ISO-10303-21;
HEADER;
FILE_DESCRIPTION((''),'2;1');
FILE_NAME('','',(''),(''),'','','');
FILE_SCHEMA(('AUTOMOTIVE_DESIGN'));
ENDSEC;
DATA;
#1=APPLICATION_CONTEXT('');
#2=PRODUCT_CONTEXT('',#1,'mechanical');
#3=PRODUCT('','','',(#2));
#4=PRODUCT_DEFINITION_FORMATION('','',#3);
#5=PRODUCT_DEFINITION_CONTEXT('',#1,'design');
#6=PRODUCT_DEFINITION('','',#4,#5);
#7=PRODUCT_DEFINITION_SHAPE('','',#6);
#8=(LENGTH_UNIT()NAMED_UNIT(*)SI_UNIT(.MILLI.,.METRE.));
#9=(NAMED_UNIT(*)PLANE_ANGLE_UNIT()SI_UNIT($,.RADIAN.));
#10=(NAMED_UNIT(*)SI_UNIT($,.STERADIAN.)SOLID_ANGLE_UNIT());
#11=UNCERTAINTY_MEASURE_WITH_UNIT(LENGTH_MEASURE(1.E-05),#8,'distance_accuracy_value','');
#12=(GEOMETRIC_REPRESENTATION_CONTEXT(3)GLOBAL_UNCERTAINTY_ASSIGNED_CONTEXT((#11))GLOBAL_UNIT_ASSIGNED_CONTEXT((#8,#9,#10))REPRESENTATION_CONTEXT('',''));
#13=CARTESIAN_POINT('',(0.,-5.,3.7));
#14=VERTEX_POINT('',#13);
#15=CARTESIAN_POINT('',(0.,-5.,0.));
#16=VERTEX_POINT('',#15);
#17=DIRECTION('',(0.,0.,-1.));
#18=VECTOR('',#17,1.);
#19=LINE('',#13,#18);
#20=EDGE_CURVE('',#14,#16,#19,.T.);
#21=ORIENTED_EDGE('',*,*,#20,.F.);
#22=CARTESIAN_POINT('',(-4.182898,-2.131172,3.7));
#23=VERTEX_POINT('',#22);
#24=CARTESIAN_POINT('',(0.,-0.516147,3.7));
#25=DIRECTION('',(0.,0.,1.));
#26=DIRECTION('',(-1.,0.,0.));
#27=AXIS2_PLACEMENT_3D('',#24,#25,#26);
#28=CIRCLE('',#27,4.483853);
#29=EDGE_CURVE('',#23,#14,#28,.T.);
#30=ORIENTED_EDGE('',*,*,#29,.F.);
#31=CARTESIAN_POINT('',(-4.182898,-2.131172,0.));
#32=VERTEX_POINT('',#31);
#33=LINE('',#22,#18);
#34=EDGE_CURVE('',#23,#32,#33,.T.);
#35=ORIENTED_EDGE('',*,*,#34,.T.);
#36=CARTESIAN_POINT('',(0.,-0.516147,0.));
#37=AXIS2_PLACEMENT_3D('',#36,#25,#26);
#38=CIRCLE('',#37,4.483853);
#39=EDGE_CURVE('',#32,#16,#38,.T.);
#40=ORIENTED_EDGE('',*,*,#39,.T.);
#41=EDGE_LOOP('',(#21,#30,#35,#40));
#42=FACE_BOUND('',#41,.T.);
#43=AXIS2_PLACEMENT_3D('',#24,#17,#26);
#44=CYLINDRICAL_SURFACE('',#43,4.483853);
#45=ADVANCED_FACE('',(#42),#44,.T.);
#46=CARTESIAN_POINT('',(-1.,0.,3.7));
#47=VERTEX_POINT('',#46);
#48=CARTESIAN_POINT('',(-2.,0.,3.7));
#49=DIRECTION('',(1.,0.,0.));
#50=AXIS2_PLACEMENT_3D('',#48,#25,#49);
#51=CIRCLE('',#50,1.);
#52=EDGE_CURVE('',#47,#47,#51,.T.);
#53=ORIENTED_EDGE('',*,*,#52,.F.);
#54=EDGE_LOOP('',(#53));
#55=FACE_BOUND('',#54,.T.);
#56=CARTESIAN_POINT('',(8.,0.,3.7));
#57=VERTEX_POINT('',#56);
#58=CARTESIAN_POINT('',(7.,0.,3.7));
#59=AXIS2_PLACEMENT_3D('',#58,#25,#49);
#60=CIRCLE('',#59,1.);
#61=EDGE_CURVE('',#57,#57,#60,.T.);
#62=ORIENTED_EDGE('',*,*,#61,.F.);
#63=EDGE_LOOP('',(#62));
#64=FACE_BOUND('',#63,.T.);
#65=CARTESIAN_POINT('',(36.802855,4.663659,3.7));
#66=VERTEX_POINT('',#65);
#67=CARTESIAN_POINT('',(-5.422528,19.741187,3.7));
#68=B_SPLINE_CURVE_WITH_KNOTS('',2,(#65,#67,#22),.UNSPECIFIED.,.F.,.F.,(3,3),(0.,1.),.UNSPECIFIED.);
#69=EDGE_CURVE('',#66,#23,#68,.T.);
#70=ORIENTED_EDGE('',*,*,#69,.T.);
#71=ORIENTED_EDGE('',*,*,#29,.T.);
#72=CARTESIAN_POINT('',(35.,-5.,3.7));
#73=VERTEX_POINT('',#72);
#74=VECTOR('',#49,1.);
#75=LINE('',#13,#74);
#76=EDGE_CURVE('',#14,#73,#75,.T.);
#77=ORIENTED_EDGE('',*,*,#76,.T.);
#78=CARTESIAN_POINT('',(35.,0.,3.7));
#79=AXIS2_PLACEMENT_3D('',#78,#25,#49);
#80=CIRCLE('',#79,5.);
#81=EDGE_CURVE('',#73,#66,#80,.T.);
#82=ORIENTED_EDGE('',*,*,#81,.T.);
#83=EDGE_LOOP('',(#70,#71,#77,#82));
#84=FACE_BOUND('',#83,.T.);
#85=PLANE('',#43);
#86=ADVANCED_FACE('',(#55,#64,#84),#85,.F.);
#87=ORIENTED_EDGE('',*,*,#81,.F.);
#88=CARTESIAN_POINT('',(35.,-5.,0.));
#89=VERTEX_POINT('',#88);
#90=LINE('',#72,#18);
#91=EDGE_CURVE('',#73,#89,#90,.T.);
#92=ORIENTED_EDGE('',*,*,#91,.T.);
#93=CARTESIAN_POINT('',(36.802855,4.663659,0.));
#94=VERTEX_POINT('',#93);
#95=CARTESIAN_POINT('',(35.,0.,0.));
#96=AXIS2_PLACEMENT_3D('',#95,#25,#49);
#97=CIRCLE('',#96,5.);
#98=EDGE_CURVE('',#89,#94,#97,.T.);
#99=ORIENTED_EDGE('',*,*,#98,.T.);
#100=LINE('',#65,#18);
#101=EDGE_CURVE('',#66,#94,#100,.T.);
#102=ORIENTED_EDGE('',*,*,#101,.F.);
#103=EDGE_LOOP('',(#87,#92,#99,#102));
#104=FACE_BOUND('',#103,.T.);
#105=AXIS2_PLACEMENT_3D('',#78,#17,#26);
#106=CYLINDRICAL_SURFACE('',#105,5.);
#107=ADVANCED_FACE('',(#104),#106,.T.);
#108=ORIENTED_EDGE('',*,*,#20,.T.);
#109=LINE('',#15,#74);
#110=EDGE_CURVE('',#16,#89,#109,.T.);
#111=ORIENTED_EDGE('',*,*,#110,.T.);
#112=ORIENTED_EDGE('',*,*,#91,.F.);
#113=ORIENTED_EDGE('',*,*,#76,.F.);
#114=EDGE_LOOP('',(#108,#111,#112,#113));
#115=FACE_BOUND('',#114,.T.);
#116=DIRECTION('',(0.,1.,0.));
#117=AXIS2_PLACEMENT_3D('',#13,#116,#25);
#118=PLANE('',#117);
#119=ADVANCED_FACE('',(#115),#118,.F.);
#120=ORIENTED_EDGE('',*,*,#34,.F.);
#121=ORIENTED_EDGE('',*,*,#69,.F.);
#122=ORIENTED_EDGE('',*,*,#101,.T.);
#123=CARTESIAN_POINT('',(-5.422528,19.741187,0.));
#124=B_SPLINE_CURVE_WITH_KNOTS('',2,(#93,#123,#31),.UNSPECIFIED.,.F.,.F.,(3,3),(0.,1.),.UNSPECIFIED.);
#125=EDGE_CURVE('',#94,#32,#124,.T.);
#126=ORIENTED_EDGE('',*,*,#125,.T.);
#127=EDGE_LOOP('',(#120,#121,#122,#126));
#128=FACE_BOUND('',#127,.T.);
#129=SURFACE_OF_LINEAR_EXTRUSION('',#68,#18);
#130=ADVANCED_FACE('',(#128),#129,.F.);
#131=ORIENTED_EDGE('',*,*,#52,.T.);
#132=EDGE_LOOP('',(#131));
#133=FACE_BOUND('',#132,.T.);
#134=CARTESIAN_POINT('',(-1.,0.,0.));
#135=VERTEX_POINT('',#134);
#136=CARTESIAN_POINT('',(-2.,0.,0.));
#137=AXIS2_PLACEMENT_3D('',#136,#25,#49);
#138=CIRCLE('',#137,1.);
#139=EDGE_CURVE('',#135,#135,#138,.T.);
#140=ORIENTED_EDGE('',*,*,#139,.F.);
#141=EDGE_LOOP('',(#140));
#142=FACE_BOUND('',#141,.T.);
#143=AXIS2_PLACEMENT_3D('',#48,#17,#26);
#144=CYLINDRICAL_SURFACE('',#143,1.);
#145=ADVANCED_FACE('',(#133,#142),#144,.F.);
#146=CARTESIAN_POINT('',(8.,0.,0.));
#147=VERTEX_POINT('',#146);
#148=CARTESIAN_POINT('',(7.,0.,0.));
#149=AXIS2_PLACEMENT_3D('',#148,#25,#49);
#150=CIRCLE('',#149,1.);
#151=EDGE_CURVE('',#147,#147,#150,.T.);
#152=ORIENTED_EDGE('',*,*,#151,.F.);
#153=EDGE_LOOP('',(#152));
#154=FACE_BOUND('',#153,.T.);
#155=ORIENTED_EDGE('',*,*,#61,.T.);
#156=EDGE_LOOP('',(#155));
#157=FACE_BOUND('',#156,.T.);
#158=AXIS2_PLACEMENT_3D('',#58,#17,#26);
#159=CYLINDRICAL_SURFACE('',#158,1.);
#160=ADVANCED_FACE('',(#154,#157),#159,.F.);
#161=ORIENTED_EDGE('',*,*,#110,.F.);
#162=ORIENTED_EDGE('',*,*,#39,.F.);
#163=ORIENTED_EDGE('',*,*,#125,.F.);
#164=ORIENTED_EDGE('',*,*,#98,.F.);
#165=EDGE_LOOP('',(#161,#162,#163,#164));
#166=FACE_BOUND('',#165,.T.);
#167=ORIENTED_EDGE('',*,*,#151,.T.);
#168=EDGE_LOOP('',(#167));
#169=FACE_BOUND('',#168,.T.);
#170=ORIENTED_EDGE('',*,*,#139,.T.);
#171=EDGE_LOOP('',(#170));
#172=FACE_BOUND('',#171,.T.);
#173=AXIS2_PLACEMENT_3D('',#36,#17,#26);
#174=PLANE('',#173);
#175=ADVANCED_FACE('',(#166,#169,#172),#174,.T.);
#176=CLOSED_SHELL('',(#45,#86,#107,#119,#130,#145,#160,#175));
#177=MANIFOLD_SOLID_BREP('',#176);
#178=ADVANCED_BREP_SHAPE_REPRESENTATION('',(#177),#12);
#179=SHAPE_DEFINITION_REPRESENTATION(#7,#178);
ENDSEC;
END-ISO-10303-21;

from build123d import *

# Parameters (mm, degrees)
SKETCH1_R           = 1
BOSS_EXTRUDE1_DEPTH = 3.7


with BuildPart() as part:
    # Sketch1 → Boss-Extrude1 (new body)
    with BuildSketch(Plane.XY):
        with BuildLine():
            Line((0, -5), (35, -5))
            ThreePointArc((35, -5), (39.915195567, -0.91698012), (36.802854648, 4.663658984))
            add(Edge.make_bspline(
                [(-4.182897753, -2.131172107), (-5.422528099, 19.74118681), (36.802854648, 4.663658984)],
                knots=[0, 0, 0, 1, 1, 1], degree=2))
            ThreePointArc((-4.182897753, -2.131172107), (-2.536080001, -4.213880968), (0, -5))
        make_face()
        with Locations((-2, 0)):
            Circle(SKETCH1_R, mode=Mode.SUBTRACT)
        with Locations((7, 0)):
            Circle(SKETCH1_R, mode=Mode.SUBTRACT)
    extrude(amount=BOSS_EXTRUDE1_DEPTH)


solid = part.part
